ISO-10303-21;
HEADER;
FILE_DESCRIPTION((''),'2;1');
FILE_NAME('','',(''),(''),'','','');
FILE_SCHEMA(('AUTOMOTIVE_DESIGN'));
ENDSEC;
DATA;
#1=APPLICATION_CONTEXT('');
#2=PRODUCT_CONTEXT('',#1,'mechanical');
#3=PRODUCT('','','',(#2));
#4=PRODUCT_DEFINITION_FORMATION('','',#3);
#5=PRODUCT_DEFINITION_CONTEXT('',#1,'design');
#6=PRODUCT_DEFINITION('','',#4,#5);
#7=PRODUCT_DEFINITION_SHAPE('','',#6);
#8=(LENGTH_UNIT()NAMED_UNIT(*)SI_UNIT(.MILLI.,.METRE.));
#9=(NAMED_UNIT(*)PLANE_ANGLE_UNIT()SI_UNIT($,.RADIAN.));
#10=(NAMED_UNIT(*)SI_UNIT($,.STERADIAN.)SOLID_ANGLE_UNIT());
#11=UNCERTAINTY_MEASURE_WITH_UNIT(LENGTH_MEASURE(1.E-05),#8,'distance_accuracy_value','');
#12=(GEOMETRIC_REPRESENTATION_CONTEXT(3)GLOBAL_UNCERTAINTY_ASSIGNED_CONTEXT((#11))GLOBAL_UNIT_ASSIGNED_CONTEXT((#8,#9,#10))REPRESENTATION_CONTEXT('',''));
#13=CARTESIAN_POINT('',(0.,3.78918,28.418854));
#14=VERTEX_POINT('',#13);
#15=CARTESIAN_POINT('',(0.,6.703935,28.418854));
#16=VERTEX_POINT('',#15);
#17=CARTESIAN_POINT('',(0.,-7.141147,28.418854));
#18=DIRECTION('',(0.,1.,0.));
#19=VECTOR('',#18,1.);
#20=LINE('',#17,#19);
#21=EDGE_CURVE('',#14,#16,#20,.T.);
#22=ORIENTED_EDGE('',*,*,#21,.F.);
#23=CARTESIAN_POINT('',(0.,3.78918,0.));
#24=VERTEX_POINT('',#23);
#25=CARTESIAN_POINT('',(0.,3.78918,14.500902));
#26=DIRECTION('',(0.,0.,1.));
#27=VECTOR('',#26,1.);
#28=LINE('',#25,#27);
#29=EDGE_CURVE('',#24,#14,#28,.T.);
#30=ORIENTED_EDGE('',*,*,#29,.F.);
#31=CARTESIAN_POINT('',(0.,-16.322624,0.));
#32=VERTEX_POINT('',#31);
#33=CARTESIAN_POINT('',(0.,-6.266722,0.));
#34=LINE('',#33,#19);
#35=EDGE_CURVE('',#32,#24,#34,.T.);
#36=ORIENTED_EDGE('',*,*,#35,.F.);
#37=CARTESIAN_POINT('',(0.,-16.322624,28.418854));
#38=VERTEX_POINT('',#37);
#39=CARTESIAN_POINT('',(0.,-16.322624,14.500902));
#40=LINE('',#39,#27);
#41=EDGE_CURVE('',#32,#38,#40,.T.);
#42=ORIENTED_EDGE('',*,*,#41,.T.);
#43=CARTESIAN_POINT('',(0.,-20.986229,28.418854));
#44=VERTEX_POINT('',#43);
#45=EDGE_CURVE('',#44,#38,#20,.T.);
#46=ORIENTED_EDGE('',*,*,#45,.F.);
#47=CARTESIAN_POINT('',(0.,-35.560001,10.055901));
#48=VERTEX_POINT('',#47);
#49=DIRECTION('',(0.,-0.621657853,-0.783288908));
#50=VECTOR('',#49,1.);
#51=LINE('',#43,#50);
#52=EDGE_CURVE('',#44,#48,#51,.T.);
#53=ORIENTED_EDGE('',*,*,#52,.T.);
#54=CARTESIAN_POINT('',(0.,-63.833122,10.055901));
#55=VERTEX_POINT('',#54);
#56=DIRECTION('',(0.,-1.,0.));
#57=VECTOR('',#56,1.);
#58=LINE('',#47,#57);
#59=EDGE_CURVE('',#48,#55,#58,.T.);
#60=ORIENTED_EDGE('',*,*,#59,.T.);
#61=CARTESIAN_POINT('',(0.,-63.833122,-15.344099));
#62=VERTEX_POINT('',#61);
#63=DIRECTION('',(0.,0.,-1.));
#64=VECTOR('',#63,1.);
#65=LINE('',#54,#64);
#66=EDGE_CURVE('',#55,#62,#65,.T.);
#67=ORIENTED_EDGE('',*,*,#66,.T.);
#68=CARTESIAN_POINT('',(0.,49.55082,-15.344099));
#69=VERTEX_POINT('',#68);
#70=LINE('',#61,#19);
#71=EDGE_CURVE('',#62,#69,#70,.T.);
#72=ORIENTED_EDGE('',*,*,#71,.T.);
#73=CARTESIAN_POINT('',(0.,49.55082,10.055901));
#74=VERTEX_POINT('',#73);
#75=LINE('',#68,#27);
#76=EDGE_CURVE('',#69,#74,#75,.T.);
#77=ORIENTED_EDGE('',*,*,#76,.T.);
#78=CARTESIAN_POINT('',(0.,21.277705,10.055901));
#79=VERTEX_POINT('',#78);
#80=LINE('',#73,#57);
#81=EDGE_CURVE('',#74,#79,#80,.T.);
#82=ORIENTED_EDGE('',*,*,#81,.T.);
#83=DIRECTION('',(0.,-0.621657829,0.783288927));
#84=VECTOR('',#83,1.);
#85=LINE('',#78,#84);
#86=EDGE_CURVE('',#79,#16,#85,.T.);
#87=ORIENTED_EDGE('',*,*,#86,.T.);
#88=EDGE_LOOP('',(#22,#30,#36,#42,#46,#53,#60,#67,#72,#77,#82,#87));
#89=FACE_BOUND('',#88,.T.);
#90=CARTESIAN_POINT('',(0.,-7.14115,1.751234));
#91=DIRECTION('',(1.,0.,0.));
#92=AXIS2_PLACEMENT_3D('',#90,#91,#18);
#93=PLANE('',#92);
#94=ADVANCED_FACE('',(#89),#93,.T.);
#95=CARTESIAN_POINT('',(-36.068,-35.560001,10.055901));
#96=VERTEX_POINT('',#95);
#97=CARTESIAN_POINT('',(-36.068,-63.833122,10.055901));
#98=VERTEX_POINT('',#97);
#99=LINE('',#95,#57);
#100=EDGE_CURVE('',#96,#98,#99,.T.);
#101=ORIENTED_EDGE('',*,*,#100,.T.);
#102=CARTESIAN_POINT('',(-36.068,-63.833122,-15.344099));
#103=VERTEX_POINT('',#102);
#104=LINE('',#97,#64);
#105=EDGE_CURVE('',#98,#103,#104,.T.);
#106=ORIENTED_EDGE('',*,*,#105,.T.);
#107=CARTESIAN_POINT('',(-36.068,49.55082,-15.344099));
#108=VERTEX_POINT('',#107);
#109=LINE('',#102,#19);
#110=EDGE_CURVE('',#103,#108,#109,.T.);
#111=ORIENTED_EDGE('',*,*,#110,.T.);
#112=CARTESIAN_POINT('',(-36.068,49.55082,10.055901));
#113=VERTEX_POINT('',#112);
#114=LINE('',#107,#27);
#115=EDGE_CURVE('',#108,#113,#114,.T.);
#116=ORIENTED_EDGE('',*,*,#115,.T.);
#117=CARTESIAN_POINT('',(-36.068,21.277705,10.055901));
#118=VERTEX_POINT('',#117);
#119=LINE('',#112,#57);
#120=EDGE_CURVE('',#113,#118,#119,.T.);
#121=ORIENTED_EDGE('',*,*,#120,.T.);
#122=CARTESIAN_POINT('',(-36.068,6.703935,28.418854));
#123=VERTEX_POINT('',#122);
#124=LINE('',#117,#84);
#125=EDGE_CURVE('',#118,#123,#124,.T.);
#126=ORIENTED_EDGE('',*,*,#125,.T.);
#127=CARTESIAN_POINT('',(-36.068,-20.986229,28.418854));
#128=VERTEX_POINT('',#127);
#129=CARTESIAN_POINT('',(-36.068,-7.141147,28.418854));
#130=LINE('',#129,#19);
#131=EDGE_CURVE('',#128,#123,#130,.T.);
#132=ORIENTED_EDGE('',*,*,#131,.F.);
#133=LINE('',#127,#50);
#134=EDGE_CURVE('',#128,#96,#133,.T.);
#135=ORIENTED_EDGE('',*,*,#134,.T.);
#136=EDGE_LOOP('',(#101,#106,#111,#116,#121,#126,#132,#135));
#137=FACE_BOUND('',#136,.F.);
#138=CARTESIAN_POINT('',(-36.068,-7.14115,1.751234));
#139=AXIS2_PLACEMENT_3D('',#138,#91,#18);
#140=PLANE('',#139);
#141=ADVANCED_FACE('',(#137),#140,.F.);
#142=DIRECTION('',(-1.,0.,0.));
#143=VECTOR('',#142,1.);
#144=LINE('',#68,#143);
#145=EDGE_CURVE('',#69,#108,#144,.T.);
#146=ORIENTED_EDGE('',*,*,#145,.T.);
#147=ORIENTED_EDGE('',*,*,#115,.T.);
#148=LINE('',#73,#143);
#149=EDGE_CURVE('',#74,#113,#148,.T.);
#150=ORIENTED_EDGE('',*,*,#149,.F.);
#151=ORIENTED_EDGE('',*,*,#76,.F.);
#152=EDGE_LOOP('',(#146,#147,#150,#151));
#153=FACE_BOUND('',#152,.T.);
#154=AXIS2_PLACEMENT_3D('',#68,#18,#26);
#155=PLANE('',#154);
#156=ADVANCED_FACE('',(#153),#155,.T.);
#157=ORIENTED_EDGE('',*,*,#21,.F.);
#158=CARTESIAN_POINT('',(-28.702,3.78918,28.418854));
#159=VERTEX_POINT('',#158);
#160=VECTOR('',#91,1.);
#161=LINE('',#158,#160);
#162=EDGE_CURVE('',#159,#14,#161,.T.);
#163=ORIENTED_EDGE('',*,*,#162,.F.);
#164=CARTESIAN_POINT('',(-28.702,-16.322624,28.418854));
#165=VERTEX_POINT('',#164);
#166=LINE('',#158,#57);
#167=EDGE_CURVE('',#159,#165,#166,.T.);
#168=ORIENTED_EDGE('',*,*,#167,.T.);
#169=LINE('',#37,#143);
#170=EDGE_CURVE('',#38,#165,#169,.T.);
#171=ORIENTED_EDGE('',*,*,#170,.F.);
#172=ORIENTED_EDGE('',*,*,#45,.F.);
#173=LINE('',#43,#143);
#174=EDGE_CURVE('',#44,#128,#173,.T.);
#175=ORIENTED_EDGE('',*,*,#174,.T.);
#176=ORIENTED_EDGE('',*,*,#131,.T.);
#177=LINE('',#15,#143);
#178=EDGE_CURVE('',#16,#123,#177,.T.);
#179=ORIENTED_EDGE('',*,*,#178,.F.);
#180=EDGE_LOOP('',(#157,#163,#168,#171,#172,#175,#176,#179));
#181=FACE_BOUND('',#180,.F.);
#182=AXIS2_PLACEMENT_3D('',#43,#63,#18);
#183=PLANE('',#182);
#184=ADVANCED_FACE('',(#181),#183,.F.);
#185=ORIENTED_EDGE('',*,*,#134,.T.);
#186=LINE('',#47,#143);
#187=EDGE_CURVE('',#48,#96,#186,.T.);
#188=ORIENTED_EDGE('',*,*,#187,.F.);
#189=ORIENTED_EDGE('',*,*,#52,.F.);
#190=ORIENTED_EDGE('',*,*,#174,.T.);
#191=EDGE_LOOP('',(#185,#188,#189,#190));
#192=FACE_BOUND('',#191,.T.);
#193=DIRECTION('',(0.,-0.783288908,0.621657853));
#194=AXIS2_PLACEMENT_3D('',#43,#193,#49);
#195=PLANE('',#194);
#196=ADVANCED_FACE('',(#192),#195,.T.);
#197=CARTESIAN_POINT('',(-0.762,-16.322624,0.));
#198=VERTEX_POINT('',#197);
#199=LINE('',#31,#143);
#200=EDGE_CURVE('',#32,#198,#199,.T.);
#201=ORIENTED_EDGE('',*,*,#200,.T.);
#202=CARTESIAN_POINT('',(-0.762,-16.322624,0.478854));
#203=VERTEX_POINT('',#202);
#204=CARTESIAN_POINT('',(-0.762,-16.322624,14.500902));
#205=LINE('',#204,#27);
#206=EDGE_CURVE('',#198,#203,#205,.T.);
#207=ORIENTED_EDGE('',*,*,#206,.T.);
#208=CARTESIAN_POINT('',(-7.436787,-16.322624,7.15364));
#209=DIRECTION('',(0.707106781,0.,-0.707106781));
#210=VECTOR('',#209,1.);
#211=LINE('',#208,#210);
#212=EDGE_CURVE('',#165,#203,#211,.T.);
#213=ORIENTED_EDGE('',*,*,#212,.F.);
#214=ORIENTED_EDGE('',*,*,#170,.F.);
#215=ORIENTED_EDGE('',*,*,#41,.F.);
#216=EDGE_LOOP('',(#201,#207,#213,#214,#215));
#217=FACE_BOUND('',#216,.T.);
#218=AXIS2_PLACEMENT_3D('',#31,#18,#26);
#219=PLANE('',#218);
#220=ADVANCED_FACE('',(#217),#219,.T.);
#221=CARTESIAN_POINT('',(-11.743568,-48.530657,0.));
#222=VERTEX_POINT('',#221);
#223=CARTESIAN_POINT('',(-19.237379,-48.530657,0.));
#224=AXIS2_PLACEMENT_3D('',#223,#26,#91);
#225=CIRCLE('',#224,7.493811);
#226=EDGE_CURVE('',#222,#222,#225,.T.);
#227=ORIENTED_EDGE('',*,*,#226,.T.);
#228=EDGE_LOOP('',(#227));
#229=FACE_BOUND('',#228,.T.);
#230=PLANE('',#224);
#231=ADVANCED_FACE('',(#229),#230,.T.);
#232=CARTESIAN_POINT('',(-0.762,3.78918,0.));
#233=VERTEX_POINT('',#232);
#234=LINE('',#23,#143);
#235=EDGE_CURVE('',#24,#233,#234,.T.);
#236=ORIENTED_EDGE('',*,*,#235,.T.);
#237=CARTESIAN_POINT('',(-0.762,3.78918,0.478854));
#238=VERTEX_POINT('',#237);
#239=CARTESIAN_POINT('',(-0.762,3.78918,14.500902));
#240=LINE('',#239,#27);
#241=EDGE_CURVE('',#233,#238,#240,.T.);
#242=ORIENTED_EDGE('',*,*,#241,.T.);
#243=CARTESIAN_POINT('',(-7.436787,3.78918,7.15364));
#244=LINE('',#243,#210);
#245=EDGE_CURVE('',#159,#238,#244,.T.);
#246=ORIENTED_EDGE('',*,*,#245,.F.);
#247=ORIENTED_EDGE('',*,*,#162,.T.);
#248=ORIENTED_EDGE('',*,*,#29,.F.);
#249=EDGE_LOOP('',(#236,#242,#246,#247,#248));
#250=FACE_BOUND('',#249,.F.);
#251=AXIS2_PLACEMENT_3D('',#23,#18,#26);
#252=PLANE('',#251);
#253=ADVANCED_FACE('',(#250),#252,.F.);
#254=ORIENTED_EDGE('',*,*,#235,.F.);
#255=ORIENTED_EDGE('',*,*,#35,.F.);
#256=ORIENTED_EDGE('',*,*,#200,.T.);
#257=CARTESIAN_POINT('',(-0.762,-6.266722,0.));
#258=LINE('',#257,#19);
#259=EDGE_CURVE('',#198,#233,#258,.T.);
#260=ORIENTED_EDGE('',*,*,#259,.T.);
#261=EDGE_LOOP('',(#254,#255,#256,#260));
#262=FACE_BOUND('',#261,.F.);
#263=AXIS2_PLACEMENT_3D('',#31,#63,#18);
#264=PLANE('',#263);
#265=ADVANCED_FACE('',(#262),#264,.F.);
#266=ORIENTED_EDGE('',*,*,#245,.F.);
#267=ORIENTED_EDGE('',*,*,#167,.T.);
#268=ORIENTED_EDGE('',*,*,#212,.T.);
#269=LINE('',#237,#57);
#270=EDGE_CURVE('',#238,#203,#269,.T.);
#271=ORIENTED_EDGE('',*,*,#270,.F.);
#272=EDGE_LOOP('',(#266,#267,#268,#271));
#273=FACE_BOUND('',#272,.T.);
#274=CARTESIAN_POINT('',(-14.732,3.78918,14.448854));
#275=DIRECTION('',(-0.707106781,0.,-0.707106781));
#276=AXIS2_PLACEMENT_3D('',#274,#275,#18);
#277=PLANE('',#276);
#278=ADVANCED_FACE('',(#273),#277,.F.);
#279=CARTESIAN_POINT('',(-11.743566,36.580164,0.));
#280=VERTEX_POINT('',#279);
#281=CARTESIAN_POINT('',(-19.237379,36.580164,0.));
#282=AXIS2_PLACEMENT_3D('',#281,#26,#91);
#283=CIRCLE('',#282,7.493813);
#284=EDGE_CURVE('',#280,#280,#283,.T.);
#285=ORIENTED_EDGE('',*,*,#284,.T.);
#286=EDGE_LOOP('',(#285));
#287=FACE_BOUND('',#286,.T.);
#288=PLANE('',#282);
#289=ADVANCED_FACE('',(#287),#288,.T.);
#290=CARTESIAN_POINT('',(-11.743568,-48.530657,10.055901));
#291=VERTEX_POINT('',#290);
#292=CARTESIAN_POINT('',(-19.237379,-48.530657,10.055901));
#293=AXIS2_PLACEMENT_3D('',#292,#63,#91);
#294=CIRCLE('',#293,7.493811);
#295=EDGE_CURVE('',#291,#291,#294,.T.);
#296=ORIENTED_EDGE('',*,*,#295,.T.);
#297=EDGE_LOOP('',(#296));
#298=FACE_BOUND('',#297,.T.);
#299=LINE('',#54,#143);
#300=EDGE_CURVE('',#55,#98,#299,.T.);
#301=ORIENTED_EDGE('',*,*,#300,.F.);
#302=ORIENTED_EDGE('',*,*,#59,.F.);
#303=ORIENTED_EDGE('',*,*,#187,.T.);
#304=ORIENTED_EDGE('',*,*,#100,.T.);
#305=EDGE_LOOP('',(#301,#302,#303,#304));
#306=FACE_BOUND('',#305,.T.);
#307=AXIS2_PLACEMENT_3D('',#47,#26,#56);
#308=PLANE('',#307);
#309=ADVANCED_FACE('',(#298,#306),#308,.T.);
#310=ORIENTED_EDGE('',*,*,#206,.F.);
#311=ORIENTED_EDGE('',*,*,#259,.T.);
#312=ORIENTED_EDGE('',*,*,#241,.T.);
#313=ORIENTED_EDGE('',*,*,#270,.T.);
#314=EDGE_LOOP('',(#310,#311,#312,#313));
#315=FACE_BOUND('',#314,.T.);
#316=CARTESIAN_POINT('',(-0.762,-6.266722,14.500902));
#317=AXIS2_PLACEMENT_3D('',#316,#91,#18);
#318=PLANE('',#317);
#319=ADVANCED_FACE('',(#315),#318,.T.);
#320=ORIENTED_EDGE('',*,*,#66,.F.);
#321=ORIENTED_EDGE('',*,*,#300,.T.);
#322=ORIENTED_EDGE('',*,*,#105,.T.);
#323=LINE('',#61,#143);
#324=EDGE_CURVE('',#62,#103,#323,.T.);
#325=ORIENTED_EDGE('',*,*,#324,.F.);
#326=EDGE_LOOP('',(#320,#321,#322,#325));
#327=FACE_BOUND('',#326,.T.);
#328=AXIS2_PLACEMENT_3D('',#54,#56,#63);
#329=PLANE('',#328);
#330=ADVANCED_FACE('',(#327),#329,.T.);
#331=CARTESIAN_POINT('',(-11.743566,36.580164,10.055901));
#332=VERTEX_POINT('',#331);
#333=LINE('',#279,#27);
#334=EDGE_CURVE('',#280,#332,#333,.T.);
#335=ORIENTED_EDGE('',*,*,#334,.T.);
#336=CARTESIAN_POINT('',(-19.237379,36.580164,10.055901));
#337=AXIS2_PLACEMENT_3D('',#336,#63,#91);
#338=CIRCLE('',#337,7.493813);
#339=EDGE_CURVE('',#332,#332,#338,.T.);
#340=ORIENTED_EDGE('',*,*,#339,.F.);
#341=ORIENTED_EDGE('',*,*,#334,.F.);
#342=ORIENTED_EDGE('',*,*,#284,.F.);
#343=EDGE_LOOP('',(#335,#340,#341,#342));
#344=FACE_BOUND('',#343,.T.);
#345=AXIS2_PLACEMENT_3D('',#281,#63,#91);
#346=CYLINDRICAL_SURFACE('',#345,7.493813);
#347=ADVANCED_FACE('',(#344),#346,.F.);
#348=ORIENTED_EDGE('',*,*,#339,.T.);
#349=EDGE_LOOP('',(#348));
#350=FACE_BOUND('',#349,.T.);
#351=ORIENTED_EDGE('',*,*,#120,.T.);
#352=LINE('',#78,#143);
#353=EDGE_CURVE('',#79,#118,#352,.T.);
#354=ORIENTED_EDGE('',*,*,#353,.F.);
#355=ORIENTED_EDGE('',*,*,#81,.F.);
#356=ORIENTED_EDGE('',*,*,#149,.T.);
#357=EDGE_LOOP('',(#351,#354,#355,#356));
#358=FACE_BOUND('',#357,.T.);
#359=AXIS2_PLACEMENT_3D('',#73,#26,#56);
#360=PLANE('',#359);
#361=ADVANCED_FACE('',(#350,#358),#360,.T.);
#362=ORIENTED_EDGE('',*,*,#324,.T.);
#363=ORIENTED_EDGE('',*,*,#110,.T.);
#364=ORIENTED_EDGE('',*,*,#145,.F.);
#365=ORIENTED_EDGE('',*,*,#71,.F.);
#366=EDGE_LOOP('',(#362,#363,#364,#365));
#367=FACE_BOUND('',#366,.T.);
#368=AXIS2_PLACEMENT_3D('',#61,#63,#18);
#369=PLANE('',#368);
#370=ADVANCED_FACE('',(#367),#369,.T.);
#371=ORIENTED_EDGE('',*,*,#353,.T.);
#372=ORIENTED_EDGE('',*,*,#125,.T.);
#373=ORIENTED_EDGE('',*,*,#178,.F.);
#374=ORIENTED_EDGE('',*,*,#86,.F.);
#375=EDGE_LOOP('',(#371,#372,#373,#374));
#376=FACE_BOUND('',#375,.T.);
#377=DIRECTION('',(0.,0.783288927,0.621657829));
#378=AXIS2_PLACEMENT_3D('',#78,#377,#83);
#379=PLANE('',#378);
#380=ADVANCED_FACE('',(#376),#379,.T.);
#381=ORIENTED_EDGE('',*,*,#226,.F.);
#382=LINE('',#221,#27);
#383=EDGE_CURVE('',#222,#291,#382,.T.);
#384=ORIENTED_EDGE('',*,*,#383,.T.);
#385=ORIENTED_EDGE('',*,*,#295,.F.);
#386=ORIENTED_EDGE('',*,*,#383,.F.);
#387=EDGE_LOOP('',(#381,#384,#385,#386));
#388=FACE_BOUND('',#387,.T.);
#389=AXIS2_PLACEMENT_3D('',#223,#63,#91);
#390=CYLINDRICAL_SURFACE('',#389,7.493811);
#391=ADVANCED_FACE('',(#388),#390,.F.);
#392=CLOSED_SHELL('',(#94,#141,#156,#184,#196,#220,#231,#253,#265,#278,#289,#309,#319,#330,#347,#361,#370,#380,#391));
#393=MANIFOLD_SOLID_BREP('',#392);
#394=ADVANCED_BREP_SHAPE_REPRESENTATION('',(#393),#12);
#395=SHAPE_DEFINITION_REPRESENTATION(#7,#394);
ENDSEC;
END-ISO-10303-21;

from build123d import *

# Parameters (mm, degrees)
F0_W     = 27.6901638135
F0_H     = 18.3629523963
F1_DEPTH = 36.068
F2_R     = 7.4938109385
F2_R_2   = 7.4938128
F3_DEPTH = 57.404
F4_W     = 20.1118043624
F4_H     = 29.0018040687
F5_DEPTH = 0.762
F6_SIZE  = 27.94


with BuildPart() as f1:
    # F0 (on Right) → F1 (new body)
    with BuildSketch(Plane.YZ):
        Polygon((-35.5600006878, 10.0559014827), (-63.8331216878, 10.0559014827), (-63.8331216878, -15.3440985173), (49.550820142, -15.3440985173), (49.550820142, 10.0559014827), (21.2777052075, 10.0559014827), (6.7039346322, 28.418853879), (6.7039346322, 10.0559014827), (-20.9862291813, 10.0559014827), (-20.9862291813, 28.418853879), align=None)
        with Locations((-7.1411472745, 19.2373776808)):
            Rectangle(F0_W, F0_H)
    extrude(amount=-F1_DEPTH)

    # F2 (on Top) → F3 (cut)
    with BuildSketch(Plane.XY):
        with Locations((-19.2373786122, -48.5306568444)):
            Circle(F2_R)
        with Locations((-19.2373786122, 36.5801639855)):
            Circle(F2_R_2)
    extrude(amount=F3_DEPTH, mode=Mode.SUBTRACT)

    # F4 (on Right) → F5 (cut)
    with BuildSketch(Plane.YZ):
        with Locations((-6.2667217571, 14.5009020343)):
            Rectangle(F4_W, F4_H)
    extrude(amount=-F5_DEPTH, mode=Mode.SUBTRACT)

    # F6
    f6_edges = [f1.edges().sort_by_distance(p)[0] for p in [
        (-0.762, -6.266722, 28.418854),
    ]]
    chamfer(f6_edges, length=F6_SIZE)


solid = f1.part
